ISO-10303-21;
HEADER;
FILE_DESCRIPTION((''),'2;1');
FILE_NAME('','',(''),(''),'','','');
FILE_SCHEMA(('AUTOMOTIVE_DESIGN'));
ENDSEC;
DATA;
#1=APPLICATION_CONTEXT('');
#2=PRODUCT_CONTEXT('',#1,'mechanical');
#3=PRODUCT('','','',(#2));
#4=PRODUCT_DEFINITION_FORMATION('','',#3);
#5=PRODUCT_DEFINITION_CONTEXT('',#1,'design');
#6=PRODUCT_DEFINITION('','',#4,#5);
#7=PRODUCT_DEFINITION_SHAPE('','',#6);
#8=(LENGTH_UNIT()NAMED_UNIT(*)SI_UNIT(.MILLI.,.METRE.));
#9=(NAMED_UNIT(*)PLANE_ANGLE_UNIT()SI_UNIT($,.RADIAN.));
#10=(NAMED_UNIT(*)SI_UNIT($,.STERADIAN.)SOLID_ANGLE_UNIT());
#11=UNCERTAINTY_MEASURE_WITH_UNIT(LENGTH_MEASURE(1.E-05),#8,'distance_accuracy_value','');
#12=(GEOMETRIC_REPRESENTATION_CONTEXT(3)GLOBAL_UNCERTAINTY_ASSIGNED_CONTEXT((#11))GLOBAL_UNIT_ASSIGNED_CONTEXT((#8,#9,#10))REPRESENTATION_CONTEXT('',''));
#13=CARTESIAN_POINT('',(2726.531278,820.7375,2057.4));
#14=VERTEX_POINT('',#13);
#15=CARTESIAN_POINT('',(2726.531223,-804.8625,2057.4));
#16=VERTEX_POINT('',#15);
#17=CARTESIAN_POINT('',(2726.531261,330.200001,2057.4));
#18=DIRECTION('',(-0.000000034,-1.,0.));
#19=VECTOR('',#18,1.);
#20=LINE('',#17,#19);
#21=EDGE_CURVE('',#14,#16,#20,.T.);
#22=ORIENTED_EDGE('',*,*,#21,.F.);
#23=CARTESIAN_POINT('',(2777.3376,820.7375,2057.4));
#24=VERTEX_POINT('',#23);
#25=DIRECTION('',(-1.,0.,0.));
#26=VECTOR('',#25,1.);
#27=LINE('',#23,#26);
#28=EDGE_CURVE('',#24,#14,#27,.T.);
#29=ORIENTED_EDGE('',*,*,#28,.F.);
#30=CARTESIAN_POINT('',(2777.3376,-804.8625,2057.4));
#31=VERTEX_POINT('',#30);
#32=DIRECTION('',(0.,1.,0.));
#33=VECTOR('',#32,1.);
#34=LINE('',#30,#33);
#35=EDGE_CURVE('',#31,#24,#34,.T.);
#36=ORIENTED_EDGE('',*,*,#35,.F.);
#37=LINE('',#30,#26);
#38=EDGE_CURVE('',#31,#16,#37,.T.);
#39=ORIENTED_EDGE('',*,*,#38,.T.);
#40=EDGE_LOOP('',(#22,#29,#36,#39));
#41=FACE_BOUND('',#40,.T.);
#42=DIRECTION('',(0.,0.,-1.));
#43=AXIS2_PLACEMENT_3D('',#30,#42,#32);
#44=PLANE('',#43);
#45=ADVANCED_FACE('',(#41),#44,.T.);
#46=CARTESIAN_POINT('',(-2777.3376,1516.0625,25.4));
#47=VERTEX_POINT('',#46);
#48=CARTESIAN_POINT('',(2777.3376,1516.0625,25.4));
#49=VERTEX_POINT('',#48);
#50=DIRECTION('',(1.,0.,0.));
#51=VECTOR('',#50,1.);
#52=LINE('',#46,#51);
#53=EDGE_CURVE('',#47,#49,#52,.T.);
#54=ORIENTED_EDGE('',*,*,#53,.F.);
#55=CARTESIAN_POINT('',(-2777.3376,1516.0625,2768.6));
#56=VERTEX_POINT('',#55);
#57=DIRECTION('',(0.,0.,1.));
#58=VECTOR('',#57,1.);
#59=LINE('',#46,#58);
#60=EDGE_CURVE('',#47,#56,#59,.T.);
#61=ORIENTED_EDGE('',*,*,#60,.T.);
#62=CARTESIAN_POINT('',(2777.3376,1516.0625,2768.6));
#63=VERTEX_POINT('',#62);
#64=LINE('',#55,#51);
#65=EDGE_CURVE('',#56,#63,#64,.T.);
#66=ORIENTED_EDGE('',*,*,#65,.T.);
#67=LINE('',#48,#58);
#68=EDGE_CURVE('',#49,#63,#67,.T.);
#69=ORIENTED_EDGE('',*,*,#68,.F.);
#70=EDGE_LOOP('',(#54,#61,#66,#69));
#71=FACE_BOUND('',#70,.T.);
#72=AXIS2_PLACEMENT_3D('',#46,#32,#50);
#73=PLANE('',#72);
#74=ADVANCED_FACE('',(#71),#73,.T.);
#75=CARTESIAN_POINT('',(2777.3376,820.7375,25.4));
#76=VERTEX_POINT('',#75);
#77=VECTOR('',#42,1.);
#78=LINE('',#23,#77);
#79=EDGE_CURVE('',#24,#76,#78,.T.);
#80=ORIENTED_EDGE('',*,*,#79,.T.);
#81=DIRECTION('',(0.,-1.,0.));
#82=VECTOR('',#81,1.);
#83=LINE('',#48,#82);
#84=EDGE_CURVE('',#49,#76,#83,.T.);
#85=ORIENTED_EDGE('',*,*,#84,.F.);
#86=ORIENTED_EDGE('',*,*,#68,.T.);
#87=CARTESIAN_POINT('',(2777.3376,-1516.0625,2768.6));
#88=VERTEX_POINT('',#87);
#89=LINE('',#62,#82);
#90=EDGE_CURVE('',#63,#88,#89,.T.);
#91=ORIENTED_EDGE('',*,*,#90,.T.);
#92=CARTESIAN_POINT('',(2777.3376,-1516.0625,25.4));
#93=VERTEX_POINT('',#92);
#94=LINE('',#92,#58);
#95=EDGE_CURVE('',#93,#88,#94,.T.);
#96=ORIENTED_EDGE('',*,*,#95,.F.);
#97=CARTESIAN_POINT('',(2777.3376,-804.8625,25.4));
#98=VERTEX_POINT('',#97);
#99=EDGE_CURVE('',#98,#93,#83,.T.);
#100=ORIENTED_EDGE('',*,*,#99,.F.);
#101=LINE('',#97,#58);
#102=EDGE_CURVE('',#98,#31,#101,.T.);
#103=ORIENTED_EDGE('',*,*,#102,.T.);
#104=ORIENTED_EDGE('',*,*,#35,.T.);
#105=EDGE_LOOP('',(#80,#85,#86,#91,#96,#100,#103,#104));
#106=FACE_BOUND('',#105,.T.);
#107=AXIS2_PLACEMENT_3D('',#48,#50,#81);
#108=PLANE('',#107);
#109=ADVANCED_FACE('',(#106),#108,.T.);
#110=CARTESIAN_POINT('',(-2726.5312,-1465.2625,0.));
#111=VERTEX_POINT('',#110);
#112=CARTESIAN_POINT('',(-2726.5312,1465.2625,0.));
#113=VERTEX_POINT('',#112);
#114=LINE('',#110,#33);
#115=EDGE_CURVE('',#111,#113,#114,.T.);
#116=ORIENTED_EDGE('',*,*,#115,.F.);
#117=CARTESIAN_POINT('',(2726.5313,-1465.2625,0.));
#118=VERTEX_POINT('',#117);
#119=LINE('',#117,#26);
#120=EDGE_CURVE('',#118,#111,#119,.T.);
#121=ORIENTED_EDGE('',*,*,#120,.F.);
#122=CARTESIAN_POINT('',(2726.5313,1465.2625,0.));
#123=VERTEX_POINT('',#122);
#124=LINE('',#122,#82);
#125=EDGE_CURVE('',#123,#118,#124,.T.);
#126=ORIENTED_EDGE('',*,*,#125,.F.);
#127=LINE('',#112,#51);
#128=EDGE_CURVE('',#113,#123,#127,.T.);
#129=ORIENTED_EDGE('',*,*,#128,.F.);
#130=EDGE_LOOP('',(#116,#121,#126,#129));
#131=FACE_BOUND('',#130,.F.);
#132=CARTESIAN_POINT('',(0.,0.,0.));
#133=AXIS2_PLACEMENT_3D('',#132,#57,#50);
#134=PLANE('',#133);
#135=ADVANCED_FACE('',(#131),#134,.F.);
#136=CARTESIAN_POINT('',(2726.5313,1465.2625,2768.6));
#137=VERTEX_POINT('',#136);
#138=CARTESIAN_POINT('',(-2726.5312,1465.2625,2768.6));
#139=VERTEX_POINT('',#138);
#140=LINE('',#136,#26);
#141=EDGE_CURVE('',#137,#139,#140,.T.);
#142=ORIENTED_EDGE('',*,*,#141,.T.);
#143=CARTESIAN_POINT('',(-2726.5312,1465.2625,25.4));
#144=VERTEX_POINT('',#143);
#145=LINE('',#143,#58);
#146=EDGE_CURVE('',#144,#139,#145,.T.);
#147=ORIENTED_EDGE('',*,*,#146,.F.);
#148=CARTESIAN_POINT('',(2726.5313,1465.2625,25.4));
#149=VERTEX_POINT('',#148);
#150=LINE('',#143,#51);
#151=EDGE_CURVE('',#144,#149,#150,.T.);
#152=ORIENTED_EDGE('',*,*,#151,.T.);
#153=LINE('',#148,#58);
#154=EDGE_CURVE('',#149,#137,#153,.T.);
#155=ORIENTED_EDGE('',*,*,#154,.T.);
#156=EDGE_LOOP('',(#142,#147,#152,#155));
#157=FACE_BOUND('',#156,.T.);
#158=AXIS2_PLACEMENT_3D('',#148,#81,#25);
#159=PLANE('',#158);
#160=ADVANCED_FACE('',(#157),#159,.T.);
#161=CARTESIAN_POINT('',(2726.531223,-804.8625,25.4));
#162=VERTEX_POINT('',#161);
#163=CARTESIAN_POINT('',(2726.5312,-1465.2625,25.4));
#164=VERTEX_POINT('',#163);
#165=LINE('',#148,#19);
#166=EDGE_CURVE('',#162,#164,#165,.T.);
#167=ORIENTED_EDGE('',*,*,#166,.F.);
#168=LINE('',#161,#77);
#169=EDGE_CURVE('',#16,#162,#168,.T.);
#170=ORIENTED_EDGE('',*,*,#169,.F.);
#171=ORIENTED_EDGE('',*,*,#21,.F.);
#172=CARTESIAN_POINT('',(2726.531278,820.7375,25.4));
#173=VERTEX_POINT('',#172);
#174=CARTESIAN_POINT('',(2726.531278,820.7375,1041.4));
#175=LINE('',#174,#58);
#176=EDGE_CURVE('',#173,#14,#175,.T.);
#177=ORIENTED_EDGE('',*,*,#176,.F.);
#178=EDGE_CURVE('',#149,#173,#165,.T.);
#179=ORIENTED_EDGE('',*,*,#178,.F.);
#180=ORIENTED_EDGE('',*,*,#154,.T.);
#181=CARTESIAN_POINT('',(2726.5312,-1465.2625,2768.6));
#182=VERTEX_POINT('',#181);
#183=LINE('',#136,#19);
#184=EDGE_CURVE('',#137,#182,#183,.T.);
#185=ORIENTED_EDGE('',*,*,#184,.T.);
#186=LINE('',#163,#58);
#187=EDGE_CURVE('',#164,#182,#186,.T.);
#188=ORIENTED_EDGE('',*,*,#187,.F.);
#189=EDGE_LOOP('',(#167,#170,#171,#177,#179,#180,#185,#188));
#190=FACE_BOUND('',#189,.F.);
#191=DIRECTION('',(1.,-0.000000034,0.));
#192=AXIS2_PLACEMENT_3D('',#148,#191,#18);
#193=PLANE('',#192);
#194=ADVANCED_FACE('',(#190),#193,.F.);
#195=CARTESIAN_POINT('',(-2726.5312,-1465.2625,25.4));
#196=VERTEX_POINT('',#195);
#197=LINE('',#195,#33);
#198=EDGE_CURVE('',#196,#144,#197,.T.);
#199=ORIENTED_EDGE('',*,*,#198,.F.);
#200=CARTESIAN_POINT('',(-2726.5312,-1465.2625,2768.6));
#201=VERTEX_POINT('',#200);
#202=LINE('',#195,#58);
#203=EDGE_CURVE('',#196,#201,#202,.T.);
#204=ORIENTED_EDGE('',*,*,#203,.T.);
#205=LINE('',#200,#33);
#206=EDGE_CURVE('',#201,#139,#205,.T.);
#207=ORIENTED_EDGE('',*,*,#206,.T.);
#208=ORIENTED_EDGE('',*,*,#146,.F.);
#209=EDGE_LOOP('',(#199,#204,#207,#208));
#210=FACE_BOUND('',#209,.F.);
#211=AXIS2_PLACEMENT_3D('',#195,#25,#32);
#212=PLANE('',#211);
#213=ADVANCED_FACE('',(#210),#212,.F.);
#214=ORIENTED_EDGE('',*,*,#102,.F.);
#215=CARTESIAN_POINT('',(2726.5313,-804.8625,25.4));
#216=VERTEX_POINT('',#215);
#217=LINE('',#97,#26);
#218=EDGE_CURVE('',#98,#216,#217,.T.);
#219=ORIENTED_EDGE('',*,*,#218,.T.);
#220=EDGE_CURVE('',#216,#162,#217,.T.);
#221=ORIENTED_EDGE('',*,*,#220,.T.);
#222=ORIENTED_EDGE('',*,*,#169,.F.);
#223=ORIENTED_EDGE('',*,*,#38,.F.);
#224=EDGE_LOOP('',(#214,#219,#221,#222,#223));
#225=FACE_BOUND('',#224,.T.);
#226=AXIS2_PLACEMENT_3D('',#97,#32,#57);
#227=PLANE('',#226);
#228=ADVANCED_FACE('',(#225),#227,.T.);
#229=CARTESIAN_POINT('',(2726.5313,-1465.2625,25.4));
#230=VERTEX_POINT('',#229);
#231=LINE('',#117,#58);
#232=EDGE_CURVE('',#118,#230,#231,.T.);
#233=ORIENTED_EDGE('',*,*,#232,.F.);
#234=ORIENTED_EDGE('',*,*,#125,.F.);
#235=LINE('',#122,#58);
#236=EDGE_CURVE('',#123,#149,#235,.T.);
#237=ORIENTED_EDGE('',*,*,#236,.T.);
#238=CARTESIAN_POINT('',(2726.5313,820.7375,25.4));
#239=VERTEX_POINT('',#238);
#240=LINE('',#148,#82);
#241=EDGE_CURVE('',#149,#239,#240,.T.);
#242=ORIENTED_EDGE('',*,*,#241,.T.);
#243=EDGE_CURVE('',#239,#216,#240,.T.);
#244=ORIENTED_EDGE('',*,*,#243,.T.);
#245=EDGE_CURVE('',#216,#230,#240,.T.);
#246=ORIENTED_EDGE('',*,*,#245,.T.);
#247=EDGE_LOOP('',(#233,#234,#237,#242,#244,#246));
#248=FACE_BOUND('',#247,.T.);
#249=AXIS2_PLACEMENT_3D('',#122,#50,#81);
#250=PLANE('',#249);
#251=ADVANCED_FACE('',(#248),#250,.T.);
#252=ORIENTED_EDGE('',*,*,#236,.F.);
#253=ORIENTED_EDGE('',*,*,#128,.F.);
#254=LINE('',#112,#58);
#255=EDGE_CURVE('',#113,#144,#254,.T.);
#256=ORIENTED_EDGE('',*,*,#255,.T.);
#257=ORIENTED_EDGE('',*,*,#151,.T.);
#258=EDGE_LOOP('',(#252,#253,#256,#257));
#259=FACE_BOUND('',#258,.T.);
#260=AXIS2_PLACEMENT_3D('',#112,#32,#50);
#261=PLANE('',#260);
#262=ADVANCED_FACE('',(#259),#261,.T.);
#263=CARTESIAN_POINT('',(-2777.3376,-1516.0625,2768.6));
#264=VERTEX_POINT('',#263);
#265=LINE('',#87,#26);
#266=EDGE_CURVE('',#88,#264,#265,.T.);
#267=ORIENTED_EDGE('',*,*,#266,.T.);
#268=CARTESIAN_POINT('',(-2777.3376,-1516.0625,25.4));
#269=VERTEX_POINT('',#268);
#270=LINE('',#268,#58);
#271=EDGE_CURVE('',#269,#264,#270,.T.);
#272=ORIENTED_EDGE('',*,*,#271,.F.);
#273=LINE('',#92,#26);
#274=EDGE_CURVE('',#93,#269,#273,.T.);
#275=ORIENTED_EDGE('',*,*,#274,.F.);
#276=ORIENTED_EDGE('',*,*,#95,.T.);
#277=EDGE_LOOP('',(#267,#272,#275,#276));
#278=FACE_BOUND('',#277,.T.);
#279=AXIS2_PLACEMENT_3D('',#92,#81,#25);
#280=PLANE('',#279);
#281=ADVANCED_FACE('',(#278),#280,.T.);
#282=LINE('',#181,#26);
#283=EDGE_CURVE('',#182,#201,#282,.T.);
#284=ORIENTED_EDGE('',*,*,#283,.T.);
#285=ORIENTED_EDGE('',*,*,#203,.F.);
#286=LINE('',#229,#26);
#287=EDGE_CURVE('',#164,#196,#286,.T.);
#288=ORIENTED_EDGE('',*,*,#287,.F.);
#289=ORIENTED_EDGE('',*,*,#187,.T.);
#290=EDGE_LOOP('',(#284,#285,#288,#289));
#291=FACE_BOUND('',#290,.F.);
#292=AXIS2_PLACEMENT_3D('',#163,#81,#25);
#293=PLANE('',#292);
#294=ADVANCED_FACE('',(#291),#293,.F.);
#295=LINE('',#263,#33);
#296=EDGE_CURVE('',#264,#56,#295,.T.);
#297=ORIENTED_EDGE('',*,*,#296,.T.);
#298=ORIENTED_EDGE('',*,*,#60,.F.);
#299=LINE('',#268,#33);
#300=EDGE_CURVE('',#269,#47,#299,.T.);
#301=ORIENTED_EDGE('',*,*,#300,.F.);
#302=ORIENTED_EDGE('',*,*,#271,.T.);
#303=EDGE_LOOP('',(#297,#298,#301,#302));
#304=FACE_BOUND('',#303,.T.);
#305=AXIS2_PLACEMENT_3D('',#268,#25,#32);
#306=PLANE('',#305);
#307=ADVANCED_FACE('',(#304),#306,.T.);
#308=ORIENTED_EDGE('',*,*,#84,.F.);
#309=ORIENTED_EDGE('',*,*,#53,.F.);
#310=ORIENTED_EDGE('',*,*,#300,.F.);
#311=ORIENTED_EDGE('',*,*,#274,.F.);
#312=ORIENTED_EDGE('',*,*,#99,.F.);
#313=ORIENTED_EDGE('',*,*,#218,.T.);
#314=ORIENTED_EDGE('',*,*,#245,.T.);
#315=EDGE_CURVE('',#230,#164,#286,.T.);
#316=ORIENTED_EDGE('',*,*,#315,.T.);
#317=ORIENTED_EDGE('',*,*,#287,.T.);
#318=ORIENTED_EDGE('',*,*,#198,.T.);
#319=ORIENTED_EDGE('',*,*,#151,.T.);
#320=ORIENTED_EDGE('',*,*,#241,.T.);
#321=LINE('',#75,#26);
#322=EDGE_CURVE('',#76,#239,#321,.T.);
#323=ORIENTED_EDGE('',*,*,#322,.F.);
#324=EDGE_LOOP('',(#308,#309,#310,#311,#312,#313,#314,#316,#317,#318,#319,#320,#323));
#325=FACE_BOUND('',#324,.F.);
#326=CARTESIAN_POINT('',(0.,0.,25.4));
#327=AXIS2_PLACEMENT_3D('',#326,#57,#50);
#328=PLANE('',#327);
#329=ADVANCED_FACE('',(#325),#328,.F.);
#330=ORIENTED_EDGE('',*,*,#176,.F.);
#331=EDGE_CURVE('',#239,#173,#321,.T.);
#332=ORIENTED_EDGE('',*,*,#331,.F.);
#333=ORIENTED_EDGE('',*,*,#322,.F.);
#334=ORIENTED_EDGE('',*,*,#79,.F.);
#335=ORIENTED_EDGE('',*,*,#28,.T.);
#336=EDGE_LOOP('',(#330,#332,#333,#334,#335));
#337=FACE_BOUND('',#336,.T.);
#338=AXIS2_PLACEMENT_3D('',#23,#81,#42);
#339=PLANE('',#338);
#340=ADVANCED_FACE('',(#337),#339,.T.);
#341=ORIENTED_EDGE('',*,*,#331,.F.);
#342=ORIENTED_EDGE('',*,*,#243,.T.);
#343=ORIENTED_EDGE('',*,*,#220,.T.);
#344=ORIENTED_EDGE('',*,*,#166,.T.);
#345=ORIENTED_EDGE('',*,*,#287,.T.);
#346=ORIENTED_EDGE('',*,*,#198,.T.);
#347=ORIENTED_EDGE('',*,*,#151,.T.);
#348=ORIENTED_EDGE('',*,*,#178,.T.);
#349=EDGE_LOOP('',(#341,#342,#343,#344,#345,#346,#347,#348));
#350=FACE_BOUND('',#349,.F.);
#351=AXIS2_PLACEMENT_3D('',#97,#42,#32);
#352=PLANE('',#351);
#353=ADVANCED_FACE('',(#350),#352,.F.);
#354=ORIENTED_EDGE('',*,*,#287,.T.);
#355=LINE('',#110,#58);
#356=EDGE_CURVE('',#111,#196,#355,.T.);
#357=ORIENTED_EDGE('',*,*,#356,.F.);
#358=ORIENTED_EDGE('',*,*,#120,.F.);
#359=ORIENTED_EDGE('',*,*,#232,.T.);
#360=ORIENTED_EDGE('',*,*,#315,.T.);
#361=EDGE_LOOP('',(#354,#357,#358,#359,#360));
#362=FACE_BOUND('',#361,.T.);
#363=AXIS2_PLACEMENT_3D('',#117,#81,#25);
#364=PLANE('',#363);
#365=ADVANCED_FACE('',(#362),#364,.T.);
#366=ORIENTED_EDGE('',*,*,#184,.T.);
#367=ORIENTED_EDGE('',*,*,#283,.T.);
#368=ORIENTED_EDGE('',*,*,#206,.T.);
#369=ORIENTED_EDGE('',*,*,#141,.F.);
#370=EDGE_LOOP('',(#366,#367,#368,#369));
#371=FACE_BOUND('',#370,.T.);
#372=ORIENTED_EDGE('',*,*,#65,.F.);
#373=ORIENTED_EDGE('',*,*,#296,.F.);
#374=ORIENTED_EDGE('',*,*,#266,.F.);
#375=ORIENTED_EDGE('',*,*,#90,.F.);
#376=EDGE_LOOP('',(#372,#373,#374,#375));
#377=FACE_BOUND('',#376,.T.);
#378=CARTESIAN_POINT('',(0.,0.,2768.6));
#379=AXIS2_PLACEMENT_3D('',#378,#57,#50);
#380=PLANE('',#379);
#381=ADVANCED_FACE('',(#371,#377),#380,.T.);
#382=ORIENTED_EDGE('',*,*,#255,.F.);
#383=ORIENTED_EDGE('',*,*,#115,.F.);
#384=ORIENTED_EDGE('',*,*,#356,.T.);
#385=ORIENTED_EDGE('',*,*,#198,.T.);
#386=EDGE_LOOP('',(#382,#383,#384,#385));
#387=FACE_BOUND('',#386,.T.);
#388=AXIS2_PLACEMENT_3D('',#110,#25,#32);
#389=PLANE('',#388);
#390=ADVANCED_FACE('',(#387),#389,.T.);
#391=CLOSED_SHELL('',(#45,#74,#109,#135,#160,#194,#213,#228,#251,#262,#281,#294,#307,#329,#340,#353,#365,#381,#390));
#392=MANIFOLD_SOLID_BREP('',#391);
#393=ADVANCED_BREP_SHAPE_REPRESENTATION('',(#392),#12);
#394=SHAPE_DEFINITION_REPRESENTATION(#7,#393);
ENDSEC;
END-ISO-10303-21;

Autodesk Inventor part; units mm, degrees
ref_plane "YZ Plane" through (0, 0, 0) normal (1, 0, 0) x (0, 1, 0)
ref_plane "XZ Plane" through (0, 0, 0) normal (0, 1, 0) x (-1, 0, 0)
ref_plane "XY Plane" through (0, 0, 0) normal (0, 0, 1) x (1, 0, 0)
sketch "Sketch1" plane through (0, 0, 0) normal (0, 0, 1) x (1, 0, 0)
  line L0 (2726.5313, -1465.2625) -> (-2726.5312, -1465.2625)
  line L1 (-2726.5312, -1465.2625) -> (-2726.5312, 1465.2625)
  line L2 (-2726.5312, 1465.2625) -> (2726.5313, 1465.2625)
  line L3 (2726.5313, 1465.2625) -> (2726.5313, -1465.2625)
  line L4 (2726.5313, -1465.2625) -> (-2726.5312, 1465.2625) construction
  line L5 (-2726.5312, -1465.2625) -> (2726.5313, 1465.2625) construction
  point P0 (0, 0)
  dimension "d0" = 5453.0625
  dimension "d1" = 2930.525
extrude "Extrusion1" add sketch "Sketch1" along normal blind 25.4
sketch "Sketch2" plane through (0, 0, 25.4) normal (0, 0, 1) x (1, 0, 0)
  line L0 (2726.5313, 1465.2625) -> (-2726.5312, 1465.2625) projected
  line L1 (2726.5312, -1465.2625) -> (-2726.5312, -1465.2625)
  line L2 (-2726.5312, -1465.2625) -> (-2726.5312, 1465.2625)
  line L3 (-2726.5312, 1465.2625) -> (2726.5312, 1465.2625)
  line L4 (2726.5312, 1465.2625) -> (2726.5312, -1465.2625)
  line L5 (2726.5312, -1465.2625) -> (-2726.5312, 1465.2625) construction
  line L6 (-2726.5312, -1465.2625) -> (2726.5312, 1465.2625) construction
  line L7 (2777.3376, -1516.0625) -> (-2777.3376, -1516.0625)
  line L8 (-2777.3376, -1516.0625) -> (-2777.3376, 1516.0625)
  line L9 (-2777.3376, 1516.0625) -> (2777.3376, 1516.0625)
  line L10 (2777.3376, 1516.0625) -> (2777.3376, -1516.0625)
  line L11 (2777.3376, -1516.0625) -> (-2777.3376, 1516.0625) construction
  line L12 (-2777.3376, -1516.0625) -> (2777.3376, 1516.0625) construction
  point P0 (0, 0)
  dimension "d4" = 5554.6752
  dimension "d5" = 3032.125
extrude "Extrusion2" add sketch "Sketch2" along normal blind 2743.2
sketch "Sketch3" plane through (2777.3376, -1516.0625, 25.4) normal (1, 0, 0) x (0, 0, -1)
  line L0 (0, 50.8) -> (0, 2981.325) projected
  line L1 (0, 711.2) -> (-2032, 711.2)
  line L2 (-2032, 711.2) -> (-2032, 2336.8)
  line L3 (-2032, 2336.8) -> (0, 2336.8)
  line L4 (0, 2336.8) -> (0, 711.2)
  point P0 (25.4, 1516.0625)
  point P1 (0, 2336.8)
  dimension "d8" = 2032
  dimension "d9" = 1625.6
extrude "Extrusion3" cut sketch "Sketch3" against normal up to next
properties part number "Room_0RC039"
